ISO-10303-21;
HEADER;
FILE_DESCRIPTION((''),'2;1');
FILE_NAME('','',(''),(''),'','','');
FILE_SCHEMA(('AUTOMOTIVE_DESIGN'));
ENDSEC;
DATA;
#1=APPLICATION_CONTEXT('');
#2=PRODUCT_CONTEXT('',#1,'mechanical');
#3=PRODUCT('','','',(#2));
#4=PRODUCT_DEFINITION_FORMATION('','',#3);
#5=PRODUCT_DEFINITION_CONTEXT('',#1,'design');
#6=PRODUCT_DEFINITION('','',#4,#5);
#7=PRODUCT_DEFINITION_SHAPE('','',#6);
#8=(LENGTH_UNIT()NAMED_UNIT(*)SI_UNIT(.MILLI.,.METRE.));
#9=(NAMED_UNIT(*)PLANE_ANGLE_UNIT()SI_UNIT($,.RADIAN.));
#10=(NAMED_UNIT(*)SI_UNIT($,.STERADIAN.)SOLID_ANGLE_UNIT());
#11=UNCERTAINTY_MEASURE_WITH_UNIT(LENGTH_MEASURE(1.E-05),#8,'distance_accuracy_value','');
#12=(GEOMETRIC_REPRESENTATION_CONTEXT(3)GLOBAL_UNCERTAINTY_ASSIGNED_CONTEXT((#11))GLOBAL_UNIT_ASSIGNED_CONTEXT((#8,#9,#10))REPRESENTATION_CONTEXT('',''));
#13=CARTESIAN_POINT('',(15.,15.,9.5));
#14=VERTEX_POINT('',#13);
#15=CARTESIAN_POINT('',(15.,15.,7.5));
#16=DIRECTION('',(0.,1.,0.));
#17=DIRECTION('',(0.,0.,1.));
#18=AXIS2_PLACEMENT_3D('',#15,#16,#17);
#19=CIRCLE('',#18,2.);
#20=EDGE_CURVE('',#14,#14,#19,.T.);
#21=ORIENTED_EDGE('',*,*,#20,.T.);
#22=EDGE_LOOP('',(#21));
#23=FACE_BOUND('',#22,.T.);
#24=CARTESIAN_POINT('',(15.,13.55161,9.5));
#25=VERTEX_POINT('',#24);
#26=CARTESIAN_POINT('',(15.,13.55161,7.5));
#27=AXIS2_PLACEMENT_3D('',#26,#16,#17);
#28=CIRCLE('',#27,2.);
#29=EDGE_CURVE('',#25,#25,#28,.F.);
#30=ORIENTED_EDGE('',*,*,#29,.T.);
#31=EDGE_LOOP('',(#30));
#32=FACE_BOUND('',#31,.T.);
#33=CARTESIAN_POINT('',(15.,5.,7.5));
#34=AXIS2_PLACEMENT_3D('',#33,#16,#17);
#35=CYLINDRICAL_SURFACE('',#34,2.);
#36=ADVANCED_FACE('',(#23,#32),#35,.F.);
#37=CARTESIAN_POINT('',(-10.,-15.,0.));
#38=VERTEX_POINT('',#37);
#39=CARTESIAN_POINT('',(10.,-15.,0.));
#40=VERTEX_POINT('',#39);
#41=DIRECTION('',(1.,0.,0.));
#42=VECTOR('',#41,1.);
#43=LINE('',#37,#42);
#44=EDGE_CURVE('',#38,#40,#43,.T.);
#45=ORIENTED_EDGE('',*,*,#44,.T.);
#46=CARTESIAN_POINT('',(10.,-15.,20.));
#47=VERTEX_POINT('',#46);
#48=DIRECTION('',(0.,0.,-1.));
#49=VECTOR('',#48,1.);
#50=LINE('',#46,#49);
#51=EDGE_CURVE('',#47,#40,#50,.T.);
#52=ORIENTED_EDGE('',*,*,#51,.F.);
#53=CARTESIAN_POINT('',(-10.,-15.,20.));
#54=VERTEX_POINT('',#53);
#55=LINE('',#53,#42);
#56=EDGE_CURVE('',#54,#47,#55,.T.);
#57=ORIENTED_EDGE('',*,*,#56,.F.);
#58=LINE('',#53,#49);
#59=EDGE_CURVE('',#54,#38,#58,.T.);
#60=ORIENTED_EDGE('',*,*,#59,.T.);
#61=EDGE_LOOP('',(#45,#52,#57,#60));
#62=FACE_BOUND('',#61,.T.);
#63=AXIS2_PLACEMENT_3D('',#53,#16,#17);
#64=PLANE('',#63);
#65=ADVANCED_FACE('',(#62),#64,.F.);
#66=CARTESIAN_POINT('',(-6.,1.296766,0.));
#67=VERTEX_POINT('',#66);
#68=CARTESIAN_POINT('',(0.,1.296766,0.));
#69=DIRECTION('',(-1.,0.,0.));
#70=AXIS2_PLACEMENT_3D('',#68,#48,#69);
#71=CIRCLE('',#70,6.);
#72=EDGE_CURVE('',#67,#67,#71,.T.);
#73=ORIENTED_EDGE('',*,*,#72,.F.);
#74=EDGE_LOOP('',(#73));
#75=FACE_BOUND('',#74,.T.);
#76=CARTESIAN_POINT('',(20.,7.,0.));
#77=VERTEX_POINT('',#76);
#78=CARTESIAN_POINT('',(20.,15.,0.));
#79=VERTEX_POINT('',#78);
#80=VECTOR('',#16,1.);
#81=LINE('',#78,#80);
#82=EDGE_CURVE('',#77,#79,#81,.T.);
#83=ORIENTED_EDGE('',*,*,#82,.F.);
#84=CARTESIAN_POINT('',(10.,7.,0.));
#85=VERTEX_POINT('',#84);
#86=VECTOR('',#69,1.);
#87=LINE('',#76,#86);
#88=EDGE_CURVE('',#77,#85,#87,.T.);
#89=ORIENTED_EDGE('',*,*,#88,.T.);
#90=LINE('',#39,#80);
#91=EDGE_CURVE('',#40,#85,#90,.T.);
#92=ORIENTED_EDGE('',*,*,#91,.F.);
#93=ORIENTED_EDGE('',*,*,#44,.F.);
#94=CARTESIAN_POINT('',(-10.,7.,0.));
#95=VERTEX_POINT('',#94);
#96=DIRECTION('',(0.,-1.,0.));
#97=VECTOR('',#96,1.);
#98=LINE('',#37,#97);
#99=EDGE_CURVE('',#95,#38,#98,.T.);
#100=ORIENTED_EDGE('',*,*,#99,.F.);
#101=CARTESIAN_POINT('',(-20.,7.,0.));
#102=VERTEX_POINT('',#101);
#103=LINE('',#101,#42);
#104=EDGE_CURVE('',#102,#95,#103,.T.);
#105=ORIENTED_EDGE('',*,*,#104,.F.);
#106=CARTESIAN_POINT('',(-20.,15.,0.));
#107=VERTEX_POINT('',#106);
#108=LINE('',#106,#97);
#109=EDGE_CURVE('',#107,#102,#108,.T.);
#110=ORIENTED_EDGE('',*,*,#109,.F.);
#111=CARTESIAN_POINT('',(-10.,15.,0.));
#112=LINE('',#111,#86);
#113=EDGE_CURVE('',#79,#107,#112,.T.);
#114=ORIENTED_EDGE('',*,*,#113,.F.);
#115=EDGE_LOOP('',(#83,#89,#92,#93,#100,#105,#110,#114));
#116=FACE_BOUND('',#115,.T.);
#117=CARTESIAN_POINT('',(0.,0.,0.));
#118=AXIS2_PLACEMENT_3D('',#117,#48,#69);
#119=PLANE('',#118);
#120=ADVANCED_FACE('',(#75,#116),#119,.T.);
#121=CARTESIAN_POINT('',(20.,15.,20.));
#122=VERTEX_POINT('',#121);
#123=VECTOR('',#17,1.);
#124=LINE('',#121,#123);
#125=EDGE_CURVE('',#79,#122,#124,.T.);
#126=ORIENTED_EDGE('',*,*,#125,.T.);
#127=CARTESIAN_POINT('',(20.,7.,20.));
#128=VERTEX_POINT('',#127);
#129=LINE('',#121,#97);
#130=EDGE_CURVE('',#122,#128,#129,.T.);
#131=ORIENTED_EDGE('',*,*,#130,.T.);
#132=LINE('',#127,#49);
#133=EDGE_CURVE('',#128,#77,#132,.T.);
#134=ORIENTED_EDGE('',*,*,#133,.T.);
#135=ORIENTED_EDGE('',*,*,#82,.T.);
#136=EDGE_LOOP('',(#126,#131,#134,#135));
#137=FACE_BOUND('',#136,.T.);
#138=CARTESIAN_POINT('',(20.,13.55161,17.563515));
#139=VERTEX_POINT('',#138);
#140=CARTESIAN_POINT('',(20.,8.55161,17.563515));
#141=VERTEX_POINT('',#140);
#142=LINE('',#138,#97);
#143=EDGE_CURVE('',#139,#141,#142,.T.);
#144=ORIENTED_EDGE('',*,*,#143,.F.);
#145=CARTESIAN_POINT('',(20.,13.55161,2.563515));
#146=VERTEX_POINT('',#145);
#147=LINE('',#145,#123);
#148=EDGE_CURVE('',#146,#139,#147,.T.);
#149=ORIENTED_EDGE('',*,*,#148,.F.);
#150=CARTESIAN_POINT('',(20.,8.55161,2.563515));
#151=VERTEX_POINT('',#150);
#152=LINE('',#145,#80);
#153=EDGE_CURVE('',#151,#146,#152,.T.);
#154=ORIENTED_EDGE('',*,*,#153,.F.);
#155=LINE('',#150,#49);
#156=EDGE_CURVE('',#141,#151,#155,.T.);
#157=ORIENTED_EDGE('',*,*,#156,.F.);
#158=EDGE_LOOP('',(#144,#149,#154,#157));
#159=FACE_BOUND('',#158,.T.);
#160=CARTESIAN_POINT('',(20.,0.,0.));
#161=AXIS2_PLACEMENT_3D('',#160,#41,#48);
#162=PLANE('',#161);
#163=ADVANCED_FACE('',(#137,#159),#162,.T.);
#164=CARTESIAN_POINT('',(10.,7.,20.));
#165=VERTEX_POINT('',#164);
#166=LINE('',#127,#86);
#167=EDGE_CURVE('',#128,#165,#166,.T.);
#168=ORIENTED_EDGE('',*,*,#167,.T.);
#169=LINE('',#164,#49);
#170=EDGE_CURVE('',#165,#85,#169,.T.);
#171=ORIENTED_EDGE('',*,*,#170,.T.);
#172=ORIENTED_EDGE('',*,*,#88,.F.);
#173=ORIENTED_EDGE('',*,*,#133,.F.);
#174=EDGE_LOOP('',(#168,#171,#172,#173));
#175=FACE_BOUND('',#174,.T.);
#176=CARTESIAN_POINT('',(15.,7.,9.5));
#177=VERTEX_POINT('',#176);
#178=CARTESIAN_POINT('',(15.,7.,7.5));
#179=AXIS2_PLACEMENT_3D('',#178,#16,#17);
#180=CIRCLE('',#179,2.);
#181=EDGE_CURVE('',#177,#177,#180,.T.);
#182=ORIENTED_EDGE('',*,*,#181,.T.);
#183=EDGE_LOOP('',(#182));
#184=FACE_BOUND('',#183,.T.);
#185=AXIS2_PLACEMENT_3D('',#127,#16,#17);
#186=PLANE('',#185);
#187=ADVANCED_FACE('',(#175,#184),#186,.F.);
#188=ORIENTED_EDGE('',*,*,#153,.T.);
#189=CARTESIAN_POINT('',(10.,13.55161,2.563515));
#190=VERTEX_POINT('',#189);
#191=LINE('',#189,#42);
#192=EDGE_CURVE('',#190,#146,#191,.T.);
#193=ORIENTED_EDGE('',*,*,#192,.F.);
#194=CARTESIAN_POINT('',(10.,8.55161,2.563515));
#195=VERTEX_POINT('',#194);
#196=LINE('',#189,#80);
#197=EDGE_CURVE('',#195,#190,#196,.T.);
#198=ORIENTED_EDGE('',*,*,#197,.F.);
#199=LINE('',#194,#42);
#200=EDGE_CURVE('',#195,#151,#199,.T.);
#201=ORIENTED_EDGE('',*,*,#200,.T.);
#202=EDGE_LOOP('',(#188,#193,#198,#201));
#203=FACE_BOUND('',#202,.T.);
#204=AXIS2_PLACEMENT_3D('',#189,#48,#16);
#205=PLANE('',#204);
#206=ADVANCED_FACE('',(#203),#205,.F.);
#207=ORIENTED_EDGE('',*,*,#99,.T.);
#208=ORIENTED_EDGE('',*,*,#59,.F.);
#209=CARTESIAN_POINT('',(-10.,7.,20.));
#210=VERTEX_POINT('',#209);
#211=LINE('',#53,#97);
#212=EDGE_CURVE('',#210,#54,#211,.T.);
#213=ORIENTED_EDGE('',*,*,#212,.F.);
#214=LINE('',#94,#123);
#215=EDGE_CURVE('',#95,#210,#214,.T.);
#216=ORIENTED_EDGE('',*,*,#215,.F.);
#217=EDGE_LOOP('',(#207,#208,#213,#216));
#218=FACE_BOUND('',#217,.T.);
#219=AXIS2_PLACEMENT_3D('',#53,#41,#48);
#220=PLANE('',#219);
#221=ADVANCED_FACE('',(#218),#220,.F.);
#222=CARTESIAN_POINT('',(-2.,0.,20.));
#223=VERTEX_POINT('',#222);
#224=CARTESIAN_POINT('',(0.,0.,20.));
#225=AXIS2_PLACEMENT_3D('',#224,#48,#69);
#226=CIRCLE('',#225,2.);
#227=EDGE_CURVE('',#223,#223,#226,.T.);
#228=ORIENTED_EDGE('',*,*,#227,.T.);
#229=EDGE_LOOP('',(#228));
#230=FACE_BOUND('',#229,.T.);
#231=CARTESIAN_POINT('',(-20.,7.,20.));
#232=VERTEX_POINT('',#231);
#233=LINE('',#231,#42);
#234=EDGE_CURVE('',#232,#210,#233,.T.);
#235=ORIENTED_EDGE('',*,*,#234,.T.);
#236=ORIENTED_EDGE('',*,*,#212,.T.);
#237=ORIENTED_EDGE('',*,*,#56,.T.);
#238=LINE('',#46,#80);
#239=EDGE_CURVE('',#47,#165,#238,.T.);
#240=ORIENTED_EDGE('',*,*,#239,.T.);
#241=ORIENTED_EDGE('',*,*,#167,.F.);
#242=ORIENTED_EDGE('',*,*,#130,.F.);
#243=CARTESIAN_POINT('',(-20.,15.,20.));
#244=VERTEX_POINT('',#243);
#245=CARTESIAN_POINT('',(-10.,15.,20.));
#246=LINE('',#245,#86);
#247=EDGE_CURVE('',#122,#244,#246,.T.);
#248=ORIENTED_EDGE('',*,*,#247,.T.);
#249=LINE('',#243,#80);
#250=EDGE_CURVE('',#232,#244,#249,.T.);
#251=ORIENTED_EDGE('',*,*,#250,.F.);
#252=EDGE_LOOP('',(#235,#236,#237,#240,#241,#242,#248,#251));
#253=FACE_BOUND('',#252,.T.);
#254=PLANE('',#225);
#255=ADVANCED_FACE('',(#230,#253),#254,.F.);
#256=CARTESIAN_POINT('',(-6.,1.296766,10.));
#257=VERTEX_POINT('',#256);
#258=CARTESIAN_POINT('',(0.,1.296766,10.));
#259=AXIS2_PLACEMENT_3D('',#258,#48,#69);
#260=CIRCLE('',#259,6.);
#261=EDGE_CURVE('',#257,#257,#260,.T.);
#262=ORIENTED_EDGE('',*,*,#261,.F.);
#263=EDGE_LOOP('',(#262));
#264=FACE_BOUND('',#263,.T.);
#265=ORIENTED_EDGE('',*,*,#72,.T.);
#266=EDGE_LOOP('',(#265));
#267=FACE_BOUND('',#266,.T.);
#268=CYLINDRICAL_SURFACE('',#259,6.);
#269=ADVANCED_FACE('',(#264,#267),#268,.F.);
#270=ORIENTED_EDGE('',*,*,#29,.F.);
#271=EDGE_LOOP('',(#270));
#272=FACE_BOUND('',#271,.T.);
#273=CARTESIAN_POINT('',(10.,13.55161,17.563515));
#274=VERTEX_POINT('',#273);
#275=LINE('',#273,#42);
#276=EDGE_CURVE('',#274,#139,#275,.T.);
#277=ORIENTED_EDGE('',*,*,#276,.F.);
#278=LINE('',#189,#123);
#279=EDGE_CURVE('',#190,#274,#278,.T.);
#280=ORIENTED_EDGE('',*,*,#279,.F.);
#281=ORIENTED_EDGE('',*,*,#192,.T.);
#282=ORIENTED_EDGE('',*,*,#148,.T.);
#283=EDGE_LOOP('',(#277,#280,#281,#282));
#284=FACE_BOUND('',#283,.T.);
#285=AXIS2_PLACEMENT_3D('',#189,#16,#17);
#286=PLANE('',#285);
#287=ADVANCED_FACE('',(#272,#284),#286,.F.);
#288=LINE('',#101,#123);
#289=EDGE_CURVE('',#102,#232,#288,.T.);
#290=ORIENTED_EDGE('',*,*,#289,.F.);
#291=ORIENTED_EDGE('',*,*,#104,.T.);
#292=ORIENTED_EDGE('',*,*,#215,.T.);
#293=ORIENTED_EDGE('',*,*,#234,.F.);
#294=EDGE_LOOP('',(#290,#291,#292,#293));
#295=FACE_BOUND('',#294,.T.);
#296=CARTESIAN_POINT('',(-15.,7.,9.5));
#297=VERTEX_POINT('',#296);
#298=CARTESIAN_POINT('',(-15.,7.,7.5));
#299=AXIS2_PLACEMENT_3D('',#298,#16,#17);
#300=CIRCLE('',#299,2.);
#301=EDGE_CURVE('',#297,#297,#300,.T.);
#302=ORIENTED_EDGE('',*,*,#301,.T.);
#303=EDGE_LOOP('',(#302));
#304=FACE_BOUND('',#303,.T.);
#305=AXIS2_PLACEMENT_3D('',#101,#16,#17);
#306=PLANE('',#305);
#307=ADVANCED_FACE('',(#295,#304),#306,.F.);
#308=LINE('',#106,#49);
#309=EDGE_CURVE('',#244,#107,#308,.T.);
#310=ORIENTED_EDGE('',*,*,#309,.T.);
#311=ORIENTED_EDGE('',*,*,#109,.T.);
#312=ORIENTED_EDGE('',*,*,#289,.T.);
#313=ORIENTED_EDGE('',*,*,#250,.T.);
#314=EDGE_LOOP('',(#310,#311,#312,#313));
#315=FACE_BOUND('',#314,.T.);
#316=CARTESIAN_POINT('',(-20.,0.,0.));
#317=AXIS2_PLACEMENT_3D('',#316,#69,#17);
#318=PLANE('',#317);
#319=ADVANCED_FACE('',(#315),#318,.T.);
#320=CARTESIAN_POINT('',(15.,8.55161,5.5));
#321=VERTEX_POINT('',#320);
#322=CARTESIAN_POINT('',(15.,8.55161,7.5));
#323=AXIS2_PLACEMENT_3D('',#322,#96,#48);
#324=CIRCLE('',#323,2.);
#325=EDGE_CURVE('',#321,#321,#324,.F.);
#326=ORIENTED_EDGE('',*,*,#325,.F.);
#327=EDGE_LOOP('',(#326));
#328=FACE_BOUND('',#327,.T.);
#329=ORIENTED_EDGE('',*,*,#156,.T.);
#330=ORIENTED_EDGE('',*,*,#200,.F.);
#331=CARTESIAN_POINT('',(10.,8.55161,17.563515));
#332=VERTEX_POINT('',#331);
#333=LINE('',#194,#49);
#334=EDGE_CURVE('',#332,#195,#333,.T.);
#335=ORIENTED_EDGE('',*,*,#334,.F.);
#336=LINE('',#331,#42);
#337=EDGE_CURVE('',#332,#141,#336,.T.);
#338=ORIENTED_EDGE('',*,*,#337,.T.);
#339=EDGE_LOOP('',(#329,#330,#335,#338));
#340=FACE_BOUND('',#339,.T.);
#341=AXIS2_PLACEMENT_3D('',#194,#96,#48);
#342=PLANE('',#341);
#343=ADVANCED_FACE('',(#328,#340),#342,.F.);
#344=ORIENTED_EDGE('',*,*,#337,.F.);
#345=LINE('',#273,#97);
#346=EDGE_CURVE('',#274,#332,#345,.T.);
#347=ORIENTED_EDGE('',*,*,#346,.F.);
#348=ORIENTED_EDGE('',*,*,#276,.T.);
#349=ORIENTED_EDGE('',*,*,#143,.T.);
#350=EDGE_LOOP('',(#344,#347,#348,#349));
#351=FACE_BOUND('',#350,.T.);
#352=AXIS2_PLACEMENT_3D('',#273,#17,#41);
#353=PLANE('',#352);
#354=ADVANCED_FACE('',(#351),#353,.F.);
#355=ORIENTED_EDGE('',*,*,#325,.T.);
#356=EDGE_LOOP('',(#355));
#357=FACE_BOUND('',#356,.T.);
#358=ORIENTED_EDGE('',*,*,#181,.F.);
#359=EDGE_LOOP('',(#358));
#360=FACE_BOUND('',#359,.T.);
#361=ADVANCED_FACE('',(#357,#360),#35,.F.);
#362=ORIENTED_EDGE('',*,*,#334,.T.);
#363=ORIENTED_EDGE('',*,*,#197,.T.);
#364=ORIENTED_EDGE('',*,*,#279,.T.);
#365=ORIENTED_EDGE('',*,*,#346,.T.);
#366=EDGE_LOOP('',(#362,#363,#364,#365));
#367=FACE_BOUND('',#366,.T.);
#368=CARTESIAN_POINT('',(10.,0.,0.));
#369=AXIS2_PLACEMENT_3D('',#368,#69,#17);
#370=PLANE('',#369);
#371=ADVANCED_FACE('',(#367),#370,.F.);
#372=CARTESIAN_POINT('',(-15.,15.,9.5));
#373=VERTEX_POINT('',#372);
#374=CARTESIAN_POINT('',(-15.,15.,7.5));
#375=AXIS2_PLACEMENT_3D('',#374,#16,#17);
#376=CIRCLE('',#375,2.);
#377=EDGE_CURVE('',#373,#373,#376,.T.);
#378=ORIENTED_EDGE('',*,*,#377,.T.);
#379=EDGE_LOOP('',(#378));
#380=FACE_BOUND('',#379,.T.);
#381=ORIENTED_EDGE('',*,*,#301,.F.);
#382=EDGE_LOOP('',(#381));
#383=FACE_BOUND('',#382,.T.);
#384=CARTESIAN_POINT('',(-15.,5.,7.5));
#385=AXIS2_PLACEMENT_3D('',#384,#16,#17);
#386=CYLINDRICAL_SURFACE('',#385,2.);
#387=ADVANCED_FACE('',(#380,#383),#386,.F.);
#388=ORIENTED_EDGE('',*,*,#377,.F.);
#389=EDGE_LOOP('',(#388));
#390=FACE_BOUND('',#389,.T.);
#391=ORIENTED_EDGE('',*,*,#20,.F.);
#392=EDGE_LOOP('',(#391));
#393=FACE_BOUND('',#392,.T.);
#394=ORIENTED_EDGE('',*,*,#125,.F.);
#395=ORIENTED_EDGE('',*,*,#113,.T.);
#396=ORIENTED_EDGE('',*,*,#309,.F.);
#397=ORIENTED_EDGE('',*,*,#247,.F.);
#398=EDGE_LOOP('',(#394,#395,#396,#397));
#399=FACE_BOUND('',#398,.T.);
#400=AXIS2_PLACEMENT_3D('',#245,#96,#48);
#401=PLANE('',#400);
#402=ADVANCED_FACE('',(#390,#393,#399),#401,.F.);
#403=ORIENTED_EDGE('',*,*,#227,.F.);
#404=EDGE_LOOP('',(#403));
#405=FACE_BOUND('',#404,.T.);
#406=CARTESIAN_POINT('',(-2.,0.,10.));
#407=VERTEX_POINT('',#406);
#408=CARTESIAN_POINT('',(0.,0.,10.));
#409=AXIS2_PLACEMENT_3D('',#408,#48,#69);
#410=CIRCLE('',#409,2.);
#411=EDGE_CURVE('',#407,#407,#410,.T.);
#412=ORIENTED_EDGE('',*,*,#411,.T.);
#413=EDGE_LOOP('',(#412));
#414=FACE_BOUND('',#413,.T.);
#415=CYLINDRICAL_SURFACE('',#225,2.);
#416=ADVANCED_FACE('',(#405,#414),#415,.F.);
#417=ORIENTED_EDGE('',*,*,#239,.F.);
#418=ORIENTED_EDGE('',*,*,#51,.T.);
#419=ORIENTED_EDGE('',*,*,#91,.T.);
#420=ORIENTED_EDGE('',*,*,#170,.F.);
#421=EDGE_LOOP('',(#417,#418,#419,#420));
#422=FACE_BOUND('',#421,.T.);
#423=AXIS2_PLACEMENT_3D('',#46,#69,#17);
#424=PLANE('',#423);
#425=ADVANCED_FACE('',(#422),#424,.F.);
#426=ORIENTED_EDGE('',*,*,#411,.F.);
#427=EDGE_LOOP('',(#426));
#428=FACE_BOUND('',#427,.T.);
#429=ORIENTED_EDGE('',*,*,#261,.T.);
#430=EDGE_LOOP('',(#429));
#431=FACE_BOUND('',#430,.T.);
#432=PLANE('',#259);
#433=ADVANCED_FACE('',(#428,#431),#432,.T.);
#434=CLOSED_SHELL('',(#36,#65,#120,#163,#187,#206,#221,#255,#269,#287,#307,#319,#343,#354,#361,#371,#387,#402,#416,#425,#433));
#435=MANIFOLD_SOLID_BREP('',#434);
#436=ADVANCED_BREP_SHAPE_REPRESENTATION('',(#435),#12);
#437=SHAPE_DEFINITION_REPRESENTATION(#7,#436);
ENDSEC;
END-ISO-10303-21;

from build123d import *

# Parameters (mm, degrees)
SKETCH1_W           = 20
SKETCH1_H           = 30
BOSS_EXTRUDE1_DEPTH = 20
SKETCH2_W           = 20
SKETCH2_H           = 8
BOSS_EXTRUDE2_DEPTH = 10
SKETCH3_W           = 20
SKETCH3_H           = 8
BOSS_EXTRUDE3_DEPTH = 10
SKETCH4_R           = 2
CUT_EXTRUDE1_DEPTH  = 10
SKETCH5_R           = 6
CUT_EXTRUDE3_DEPTH  = 10
SKETCH6_R           = 2
CUT_EXTRUDE4_DEPTH  = 10
SKETCH7_W           = 15
SKETCH7_H           = 5
CUT_EXTRUDE5_DEPTH  = 10


with BuildPart() as part:
    # Sketch1 → Boss-Extrude1 (new body)
    with BuildSketch(Plane.XY):
        Rectangle(SKETCH1_W, SKETCH1_H)
    extrude(amount=BOSS_EXTRUDE1_DEPTH)

    # Sketch2 → Boss-Extrude2 (add)
    with BuildSketch(Plane.ZY.offset(10)):
        with Locations((10, 11)):
            Rectangle(SKETCH2_W, SKETCH2_H)
    extrude(amount=BOSS_EXTRUDE2_DEPTH)

    # Sketch3 → Boss-Extrude3 (add)
    with BuildSketch(Plane(origin=(10, 0, 0), x_dir=(0, 0, -1), z_dir=(1, 0, 0))):
        with Locations((-10, 11)):
            Rectangle(SKETCH3_W, SKETCH3_H)
    extrude(amount=BOSS_EXTRUDE3_DEPTH)

    # Sketch4 → Cut-Extrude1 (cut)
    with BuildSketch(Plane(origin=(0, 15, 0), x_dir=(1, 0, 0), z_dir=(0, 1, 0))):
        with Locations(Location((-15, -7.5, 0), (0, 0, 270))):
            Circle(SKETCH4_R)
        with Locations(Location((15, -7.5, 0), (0, 0, 270))):
            Circle(SKETCH4_R)
    extrude(amount=-CUT_EXTRUDE1_DEPTH, mode=Mode.SUBTRACT)

    # Sketch5 → Cut-Extrude3 (cut)
    with BuildSketch(Plane(origin=(0, 0, 0), x_dir=(-1, 0, 0), z_dir=(0, 0, -1))):
        with Locations((0, 1.296765848)):
            Circle(SKETCH5_R)
    extrude(amount=-CUT_EXTRUDE3_DEPTH, mode=Mode.SUBTRACT)

    # Sketch6 → Cut-Extrude4 (cut)
    with BuildSketch(Plane(origin=(0, 0, 10), x_dir=(-1, 0, 0), z_dir=(0, 0, -1))):
        Circle(SKETCH6_R)
    extrude(amount=-CUT_EXTRUDE4_DEPTH, mode=Mode.SUBTRACT)

    # Sketch7 → Cut-Extrude5 (cut)
    with BuildSketch(Plane(origin=(20, 0, 0), x_dir=(0, 0, -1), z_dir=(1, 0, 0))):
        with Locations((-10.063514781, 11.051610094)):
            Rectangle(SKETCH7_W, SKETCH7_H)
    extrude(amount=-CUT_EXTRUDE5_DEPTH, mode=Mode.SUBTRACT)


solid = part.part
